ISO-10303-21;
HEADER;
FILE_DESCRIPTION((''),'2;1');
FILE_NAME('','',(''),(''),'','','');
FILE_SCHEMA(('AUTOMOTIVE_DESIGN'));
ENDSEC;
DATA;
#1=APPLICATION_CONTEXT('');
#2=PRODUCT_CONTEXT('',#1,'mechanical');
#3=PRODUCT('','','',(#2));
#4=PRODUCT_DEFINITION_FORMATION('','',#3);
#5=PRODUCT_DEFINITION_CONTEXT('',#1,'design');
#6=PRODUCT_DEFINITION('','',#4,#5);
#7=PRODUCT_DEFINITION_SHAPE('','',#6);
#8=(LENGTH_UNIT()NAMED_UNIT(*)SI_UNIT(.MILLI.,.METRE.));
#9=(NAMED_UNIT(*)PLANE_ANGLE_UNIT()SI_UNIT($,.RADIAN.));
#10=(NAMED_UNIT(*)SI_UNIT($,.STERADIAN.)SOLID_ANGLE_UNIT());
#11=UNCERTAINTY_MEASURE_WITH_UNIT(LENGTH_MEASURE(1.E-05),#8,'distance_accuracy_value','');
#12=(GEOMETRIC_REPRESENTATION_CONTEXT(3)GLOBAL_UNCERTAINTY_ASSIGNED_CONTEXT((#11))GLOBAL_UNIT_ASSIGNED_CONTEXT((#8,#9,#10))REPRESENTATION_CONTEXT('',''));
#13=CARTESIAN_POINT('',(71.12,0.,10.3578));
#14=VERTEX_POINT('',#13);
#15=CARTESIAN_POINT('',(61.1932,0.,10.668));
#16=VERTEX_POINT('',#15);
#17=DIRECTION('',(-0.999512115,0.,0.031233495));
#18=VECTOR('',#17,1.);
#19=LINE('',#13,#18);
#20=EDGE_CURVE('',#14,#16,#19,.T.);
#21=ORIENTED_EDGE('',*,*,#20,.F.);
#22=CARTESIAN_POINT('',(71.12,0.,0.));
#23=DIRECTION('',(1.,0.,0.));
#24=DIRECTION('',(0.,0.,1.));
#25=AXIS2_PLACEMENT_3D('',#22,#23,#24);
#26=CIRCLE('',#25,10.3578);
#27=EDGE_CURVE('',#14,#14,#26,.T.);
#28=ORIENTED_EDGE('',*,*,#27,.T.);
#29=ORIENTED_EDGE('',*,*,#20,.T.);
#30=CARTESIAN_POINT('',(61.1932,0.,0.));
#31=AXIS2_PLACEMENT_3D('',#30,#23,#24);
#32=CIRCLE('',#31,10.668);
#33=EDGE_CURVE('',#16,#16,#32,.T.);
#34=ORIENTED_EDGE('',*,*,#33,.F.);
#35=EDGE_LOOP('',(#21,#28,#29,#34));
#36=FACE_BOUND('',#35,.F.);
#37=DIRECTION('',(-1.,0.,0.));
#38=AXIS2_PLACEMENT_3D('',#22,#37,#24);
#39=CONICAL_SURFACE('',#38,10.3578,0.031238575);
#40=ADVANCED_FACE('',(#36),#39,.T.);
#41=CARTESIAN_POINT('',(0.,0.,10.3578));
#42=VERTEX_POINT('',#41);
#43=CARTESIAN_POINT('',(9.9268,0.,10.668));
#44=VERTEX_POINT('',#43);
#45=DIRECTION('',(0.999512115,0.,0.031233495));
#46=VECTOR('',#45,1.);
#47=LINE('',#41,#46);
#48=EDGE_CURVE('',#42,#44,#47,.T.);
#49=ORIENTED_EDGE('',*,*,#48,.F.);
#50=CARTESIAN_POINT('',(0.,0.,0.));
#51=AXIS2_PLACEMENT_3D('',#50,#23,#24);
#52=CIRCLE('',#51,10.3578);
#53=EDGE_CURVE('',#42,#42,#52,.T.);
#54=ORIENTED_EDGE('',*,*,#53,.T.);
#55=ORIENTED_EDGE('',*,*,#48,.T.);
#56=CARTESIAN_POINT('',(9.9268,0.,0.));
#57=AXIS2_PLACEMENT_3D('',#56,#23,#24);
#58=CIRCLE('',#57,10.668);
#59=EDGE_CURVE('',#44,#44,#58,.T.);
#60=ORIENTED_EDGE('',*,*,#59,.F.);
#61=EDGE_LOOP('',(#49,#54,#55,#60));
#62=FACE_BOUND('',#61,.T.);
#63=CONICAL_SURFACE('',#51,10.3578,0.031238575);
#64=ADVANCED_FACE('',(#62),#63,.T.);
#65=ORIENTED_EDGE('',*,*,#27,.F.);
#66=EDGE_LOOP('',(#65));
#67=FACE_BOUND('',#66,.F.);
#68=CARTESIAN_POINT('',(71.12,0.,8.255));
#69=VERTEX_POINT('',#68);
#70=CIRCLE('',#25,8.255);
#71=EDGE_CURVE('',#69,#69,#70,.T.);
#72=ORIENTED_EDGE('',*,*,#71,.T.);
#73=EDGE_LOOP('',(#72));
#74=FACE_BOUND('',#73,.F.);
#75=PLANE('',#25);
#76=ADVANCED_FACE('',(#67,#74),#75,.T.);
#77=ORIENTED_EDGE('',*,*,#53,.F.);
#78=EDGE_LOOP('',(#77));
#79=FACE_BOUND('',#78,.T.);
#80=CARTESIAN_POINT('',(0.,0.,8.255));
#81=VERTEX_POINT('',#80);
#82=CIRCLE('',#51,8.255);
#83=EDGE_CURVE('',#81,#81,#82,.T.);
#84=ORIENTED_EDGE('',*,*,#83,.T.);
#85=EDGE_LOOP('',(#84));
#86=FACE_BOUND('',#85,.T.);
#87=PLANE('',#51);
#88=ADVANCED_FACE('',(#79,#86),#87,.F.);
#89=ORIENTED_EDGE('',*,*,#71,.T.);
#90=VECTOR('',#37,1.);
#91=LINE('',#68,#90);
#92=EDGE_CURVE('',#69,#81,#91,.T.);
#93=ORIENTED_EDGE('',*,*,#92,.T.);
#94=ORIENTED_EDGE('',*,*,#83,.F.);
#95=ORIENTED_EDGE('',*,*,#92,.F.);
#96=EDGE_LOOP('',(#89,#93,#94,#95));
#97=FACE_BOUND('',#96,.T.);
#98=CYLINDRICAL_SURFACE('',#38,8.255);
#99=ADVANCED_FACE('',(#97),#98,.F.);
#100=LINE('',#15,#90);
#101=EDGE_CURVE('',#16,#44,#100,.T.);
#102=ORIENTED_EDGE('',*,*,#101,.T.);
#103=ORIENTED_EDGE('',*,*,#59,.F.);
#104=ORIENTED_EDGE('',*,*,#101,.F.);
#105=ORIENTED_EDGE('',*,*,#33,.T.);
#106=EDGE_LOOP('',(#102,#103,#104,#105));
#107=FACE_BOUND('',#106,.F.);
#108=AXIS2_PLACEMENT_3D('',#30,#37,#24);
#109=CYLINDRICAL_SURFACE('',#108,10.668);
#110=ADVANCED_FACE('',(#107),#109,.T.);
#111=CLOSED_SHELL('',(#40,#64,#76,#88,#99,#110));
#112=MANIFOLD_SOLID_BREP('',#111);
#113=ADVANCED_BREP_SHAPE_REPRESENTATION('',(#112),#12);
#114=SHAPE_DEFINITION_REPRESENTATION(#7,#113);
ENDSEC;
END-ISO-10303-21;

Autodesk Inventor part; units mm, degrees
ref_plane "YZ Plane" through (0, 0, 0) normal (1, 0, 0) x (0, 1, 0)
ref_plane "XZ Plane" through (0, 0, 0) normal (0, 1, 0) x (-1, 0, 0)
ref_plane "XY Plane" through (0, 0, 0) normal (0, 0, 1) x (1, 0, 0)
sketch "Sketch1" plane through (0, 0, 0) normal (0, 1, 0) x (-1, 0, 0)
  line L0 (0, 0) -> (-71.12, 0)
  line L1 (-71.12, 0) -> (-71.12, 8.255) construction
  line L2 (-71.12, 8.255) -> (-71.12, 10.3578)
  line L3 (-71.12, 10.3578) -> (-61.1932, 10.668)
  line L4 (-61.1932, 10.668) -> (-9.9268, 10.668)
  line L5 (-35.56, 0) -> (-35.56, 10.668) construction
  line L6 (-71.12, 8.255) -> (0, 8.255)
  line L7 (0, 0) -> (0, 8.255) construction
  line L8 (0, 8.255) -> (0, 10.3578)
  line L9 (0, 10.3578) -> (-9.9268, 10.668)
  line L10 (-57.564, 10.7814) -> (-57.564, 0) construction
  line L11 (-13.556, 10.7814) -> (-13.556, 0) construction
  line L12 (-61.1932, 10.668) -> (-57.564, 10.7814) construction
  line L13 (-61.1932, 10.668) -> (-61.1932, 0) construction
  line L14 (-9.9268, 10.668) -> (-13.556, 10.7814) construction
  line L15 (-9.9268, 10.668) -> (-9.9268, 0) construction
  dimension "d0" = 21.336
  dimension "d1" = 1.79
  dimension "d2" = 16.51
  dimension "d3" = 71.12
  dimension "d4" = 13.556
  dimension "d5" = 21.5628
revolve "Revolution1" add sketch "Sketch1" angle 360 about axis through (0, 0, 0) along (1, 0, 0)
thread "Thread1" size "1/2" designation "1/2 - 14 NPT" standard "NPT" full length
thread "Thread2" size "1/2" designation "1/2 - 14 NPT" standard "NPT" full length
equation "\"d0\" = OD"
equation "\"d2\" = ID"
equation "\"d3\" = L"
equation "\"d4\" = L2"
equation "\"d5\" = D2"
equation "\"OD\" = 21.336"
equation "\"t\" = 2.413"
equation "\"L\" = PL"
equation "\"L4\" = 19.8501"
equation "\"ID\" = 16.51"
equation "\"PL\" = 71.12"
equation "\"D2\" = 21.56282"
equation "\"L2\" = 13.55598"
equation "\"Size_Designation\" = 1.2345"
equation "\"PLmin\" = 2 * L2"
properties material "Steel, Wrought"
